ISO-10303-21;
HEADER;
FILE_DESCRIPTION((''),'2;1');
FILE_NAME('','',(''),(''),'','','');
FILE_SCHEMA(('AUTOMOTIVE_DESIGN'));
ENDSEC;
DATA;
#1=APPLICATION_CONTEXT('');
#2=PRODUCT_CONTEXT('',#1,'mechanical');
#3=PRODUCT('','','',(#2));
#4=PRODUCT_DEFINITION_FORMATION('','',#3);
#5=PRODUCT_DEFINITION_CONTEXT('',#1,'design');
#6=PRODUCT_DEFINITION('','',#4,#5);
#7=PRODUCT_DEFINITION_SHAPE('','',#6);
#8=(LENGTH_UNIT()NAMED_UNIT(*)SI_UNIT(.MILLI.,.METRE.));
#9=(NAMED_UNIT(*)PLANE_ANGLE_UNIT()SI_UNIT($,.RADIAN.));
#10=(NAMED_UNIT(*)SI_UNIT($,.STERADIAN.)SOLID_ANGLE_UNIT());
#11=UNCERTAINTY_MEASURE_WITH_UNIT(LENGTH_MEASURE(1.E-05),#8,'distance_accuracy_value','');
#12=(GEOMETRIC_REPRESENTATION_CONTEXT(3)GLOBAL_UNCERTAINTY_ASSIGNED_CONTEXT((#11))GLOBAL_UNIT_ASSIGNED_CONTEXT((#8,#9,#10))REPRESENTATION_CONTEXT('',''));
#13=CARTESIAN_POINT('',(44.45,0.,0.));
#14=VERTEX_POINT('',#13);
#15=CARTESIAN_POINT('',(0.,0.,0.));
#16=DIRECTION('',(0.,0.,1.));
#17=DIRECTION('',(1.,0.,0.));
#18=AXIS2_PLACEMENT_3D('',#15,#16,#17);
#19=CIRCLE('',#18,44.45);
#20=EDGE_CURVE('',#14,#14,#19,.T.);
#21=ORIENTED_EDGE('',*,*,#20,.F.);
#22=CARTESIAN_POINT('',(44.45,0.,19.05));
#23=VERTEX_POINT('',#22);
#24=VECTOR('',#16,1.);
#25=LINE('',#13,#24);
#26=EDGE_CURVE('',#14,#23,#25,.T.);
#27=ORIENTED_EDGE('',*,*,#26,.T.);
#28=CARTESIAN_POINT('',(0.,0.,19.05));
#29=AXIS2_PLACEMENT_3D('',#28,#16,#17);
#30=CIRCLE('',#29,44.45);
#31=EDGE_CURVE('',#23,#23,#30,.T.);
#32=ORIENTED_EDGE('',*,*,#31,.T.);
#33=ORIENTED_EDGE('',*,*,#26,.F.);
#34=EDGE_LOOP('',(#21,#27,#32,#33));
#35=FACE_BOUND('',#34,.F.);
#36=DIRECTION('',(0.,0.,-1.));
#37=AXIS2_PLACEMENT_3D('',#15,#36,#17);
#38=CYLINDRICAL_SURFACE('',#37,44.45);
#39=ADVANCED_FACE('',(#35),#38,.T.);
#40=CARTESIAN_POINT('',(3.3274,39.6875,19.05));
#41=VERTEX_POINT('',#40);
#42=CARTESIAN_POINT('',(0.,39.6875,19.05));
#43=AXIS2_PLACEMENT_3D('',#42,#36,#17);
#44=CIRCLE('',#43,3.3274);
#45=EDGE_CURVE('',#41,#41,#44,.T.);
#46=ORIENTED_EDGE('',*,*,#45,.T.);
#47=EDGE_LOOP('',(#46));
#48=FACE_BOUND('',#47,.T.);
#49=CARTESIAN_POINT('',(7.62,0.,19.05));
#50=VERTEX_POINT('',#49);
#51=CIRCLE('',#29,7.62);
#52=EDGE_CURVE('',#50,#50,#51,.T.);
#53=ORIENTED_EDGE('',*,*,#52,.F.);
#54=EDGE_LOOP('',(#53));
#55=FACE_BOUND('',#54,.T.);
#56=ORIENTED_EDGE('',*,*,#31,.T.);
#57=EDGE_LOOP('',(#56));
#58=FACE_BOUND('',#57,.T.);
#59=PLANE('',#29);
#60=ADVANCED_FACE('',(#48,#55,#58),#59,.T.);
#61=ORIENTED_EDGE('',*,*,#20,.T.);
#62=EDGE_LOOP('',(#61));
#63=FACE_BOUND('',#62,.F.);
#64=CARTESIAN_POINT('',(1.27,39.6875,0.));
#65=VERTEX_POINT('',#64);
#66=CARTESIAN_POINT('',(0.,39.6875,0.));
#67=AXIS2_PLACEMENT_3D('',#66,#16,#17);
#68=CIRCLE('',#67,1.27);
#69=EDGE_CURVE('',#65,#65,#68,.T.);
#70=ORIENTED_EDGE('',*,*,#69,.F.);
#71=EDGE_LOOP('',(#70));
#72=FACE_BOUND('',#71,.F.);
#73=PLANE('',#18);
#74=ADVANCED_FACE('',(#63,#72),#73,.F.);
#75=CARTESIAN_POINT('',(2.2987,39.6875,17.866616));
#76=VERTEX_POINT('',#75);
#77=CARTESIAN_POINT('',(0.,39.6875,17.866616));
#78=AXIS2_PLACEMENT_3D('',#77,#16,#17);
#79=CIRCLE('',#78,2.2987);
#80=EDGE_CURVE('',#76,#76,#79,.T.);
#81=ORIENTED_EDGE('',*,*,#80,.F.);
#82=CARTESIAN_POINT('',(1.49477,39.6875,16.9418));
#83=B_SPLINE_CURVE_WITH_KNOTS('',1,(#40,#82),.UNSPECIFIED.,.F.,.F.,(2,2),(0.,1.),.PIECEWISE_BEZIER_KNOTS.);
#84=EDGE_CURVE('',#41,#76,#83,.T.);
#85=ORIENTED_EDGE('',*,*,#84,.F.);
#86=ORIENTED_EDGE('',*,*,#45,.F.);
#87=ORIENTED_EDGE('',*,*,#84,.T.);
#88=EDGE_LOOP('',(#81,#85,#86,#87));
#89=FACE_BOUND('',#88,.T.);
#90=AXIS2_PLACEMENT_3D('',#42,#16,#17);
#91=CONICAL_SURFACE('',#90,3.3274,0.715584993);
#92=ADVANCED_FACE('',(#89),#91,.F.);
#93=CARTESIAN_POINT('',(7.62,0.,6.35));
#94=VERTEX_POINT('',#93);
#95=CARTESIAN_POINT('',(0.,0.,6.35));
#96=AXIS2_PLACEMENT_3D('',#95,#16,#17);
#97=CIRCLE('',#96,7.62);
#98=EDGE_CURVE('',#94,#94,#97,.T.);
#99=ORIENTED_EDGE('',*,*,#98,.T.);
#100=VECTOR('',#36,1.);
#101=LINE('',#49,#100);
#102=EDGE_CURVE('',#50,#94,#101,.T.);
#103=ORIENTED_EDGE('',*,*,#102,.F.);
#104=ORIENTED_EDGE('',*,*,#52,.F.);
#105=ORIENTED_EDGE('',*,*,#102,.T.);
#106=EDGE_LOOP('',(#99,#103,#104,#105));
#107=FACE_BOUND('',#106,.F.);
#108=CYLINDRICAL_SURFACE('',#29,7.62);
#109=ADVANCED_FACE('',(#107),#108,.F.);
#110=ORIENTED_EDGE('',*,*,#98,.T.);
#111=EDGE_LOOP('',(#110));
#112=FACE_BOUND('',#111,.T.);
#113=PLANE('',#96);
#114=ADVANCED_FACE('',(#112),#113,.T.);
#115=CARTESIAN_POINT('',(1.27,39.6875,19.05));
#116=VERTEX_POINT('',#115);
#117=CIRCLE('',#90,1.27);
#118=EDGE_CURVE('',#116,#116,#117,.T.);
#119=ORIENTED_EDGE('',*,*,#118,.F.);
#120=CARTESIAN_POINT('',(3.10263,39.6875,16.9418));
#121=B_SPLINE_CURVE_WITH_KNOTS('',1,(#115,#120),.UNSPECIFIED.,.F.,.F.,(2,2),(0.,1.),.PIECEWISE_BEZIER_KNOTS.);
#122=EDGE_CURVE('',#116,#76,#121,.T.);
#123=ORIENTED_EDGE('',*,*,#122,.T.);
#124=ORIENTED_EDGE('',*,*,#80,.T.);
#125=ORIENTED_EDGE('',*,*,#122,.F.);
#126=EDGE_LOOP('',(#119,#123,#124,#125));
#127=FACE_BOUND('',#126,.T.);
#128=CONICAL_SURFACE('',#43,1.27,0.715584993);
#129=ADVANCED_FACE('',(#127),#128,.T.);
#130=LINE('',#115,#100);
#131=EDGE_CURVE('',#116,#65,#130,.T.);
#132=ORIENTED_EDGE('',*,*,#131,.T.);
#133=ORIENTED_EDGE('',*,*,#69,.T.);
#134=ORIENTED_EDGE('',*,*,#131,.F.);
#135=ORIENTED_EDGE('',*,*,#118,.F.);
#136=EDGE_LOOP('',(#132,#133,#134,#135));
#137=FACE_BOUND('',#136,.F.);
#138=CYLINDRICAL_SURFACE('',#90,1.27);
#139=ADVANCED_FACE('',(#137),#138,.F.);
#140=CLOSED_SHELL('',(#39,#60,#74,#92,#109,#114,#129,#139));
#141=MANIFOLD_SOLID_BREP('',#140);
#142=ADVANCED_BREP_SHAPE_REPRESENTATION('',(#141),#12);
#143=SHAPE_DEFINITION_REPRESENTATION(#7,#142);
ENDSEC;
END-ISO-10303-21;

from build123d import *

# Parameters (mm, degrees)
F0_R     = 44.45
F1_DEPTH = 19.05
F2_R     = 7.62
F3_DEPTH = 12.7
F4_R     = 1.27
F5_DEPTH = 19.051
F6_R     = 3.3274
F6_R_2   = 1.27
F7_DEPTH = 2.1082
F7_TAPER = 41


with BuildPart() as f1:
    # F0 (on Top) → F1 (new body)
    with BuildSketch(Plane.XY):
        Circle(F0_R)
    extrude(amount=F1_DEPTH)

    # F2 (on face) → F3 (cut)
    with BuildSketch(Plane.XY.offset(19.05)):
        Circle(F2_R)
    extrude(amount=-F3_DEPTH, mode=Mode.SUBTRACT)

    # F4 (on face) → F5 (cut, through all)
    with BuildSketch(Plane.XY.offset(19.05)):
        with Locations((0, 39.6875)):
            Circle(F4_R)
    extrude(amount=-F5_DEPTH, mode=Mode.SUBTRACT)

    # F6 (on face) → F7 (cut)
    with BuildSketch(Plane.XY.offset(19.05)):
        with Locations((0, 39.6875)):
            Circle(F6_R)
        with Locations((0, 39.6875)):
            Circle(F6_R_2, mode=Mode.SUBTRACT)
    extrude(amount=-F7_DEPTH, taper=F7_TAPER, mode=Mode.SUBTRACT)


solid = f1.part
